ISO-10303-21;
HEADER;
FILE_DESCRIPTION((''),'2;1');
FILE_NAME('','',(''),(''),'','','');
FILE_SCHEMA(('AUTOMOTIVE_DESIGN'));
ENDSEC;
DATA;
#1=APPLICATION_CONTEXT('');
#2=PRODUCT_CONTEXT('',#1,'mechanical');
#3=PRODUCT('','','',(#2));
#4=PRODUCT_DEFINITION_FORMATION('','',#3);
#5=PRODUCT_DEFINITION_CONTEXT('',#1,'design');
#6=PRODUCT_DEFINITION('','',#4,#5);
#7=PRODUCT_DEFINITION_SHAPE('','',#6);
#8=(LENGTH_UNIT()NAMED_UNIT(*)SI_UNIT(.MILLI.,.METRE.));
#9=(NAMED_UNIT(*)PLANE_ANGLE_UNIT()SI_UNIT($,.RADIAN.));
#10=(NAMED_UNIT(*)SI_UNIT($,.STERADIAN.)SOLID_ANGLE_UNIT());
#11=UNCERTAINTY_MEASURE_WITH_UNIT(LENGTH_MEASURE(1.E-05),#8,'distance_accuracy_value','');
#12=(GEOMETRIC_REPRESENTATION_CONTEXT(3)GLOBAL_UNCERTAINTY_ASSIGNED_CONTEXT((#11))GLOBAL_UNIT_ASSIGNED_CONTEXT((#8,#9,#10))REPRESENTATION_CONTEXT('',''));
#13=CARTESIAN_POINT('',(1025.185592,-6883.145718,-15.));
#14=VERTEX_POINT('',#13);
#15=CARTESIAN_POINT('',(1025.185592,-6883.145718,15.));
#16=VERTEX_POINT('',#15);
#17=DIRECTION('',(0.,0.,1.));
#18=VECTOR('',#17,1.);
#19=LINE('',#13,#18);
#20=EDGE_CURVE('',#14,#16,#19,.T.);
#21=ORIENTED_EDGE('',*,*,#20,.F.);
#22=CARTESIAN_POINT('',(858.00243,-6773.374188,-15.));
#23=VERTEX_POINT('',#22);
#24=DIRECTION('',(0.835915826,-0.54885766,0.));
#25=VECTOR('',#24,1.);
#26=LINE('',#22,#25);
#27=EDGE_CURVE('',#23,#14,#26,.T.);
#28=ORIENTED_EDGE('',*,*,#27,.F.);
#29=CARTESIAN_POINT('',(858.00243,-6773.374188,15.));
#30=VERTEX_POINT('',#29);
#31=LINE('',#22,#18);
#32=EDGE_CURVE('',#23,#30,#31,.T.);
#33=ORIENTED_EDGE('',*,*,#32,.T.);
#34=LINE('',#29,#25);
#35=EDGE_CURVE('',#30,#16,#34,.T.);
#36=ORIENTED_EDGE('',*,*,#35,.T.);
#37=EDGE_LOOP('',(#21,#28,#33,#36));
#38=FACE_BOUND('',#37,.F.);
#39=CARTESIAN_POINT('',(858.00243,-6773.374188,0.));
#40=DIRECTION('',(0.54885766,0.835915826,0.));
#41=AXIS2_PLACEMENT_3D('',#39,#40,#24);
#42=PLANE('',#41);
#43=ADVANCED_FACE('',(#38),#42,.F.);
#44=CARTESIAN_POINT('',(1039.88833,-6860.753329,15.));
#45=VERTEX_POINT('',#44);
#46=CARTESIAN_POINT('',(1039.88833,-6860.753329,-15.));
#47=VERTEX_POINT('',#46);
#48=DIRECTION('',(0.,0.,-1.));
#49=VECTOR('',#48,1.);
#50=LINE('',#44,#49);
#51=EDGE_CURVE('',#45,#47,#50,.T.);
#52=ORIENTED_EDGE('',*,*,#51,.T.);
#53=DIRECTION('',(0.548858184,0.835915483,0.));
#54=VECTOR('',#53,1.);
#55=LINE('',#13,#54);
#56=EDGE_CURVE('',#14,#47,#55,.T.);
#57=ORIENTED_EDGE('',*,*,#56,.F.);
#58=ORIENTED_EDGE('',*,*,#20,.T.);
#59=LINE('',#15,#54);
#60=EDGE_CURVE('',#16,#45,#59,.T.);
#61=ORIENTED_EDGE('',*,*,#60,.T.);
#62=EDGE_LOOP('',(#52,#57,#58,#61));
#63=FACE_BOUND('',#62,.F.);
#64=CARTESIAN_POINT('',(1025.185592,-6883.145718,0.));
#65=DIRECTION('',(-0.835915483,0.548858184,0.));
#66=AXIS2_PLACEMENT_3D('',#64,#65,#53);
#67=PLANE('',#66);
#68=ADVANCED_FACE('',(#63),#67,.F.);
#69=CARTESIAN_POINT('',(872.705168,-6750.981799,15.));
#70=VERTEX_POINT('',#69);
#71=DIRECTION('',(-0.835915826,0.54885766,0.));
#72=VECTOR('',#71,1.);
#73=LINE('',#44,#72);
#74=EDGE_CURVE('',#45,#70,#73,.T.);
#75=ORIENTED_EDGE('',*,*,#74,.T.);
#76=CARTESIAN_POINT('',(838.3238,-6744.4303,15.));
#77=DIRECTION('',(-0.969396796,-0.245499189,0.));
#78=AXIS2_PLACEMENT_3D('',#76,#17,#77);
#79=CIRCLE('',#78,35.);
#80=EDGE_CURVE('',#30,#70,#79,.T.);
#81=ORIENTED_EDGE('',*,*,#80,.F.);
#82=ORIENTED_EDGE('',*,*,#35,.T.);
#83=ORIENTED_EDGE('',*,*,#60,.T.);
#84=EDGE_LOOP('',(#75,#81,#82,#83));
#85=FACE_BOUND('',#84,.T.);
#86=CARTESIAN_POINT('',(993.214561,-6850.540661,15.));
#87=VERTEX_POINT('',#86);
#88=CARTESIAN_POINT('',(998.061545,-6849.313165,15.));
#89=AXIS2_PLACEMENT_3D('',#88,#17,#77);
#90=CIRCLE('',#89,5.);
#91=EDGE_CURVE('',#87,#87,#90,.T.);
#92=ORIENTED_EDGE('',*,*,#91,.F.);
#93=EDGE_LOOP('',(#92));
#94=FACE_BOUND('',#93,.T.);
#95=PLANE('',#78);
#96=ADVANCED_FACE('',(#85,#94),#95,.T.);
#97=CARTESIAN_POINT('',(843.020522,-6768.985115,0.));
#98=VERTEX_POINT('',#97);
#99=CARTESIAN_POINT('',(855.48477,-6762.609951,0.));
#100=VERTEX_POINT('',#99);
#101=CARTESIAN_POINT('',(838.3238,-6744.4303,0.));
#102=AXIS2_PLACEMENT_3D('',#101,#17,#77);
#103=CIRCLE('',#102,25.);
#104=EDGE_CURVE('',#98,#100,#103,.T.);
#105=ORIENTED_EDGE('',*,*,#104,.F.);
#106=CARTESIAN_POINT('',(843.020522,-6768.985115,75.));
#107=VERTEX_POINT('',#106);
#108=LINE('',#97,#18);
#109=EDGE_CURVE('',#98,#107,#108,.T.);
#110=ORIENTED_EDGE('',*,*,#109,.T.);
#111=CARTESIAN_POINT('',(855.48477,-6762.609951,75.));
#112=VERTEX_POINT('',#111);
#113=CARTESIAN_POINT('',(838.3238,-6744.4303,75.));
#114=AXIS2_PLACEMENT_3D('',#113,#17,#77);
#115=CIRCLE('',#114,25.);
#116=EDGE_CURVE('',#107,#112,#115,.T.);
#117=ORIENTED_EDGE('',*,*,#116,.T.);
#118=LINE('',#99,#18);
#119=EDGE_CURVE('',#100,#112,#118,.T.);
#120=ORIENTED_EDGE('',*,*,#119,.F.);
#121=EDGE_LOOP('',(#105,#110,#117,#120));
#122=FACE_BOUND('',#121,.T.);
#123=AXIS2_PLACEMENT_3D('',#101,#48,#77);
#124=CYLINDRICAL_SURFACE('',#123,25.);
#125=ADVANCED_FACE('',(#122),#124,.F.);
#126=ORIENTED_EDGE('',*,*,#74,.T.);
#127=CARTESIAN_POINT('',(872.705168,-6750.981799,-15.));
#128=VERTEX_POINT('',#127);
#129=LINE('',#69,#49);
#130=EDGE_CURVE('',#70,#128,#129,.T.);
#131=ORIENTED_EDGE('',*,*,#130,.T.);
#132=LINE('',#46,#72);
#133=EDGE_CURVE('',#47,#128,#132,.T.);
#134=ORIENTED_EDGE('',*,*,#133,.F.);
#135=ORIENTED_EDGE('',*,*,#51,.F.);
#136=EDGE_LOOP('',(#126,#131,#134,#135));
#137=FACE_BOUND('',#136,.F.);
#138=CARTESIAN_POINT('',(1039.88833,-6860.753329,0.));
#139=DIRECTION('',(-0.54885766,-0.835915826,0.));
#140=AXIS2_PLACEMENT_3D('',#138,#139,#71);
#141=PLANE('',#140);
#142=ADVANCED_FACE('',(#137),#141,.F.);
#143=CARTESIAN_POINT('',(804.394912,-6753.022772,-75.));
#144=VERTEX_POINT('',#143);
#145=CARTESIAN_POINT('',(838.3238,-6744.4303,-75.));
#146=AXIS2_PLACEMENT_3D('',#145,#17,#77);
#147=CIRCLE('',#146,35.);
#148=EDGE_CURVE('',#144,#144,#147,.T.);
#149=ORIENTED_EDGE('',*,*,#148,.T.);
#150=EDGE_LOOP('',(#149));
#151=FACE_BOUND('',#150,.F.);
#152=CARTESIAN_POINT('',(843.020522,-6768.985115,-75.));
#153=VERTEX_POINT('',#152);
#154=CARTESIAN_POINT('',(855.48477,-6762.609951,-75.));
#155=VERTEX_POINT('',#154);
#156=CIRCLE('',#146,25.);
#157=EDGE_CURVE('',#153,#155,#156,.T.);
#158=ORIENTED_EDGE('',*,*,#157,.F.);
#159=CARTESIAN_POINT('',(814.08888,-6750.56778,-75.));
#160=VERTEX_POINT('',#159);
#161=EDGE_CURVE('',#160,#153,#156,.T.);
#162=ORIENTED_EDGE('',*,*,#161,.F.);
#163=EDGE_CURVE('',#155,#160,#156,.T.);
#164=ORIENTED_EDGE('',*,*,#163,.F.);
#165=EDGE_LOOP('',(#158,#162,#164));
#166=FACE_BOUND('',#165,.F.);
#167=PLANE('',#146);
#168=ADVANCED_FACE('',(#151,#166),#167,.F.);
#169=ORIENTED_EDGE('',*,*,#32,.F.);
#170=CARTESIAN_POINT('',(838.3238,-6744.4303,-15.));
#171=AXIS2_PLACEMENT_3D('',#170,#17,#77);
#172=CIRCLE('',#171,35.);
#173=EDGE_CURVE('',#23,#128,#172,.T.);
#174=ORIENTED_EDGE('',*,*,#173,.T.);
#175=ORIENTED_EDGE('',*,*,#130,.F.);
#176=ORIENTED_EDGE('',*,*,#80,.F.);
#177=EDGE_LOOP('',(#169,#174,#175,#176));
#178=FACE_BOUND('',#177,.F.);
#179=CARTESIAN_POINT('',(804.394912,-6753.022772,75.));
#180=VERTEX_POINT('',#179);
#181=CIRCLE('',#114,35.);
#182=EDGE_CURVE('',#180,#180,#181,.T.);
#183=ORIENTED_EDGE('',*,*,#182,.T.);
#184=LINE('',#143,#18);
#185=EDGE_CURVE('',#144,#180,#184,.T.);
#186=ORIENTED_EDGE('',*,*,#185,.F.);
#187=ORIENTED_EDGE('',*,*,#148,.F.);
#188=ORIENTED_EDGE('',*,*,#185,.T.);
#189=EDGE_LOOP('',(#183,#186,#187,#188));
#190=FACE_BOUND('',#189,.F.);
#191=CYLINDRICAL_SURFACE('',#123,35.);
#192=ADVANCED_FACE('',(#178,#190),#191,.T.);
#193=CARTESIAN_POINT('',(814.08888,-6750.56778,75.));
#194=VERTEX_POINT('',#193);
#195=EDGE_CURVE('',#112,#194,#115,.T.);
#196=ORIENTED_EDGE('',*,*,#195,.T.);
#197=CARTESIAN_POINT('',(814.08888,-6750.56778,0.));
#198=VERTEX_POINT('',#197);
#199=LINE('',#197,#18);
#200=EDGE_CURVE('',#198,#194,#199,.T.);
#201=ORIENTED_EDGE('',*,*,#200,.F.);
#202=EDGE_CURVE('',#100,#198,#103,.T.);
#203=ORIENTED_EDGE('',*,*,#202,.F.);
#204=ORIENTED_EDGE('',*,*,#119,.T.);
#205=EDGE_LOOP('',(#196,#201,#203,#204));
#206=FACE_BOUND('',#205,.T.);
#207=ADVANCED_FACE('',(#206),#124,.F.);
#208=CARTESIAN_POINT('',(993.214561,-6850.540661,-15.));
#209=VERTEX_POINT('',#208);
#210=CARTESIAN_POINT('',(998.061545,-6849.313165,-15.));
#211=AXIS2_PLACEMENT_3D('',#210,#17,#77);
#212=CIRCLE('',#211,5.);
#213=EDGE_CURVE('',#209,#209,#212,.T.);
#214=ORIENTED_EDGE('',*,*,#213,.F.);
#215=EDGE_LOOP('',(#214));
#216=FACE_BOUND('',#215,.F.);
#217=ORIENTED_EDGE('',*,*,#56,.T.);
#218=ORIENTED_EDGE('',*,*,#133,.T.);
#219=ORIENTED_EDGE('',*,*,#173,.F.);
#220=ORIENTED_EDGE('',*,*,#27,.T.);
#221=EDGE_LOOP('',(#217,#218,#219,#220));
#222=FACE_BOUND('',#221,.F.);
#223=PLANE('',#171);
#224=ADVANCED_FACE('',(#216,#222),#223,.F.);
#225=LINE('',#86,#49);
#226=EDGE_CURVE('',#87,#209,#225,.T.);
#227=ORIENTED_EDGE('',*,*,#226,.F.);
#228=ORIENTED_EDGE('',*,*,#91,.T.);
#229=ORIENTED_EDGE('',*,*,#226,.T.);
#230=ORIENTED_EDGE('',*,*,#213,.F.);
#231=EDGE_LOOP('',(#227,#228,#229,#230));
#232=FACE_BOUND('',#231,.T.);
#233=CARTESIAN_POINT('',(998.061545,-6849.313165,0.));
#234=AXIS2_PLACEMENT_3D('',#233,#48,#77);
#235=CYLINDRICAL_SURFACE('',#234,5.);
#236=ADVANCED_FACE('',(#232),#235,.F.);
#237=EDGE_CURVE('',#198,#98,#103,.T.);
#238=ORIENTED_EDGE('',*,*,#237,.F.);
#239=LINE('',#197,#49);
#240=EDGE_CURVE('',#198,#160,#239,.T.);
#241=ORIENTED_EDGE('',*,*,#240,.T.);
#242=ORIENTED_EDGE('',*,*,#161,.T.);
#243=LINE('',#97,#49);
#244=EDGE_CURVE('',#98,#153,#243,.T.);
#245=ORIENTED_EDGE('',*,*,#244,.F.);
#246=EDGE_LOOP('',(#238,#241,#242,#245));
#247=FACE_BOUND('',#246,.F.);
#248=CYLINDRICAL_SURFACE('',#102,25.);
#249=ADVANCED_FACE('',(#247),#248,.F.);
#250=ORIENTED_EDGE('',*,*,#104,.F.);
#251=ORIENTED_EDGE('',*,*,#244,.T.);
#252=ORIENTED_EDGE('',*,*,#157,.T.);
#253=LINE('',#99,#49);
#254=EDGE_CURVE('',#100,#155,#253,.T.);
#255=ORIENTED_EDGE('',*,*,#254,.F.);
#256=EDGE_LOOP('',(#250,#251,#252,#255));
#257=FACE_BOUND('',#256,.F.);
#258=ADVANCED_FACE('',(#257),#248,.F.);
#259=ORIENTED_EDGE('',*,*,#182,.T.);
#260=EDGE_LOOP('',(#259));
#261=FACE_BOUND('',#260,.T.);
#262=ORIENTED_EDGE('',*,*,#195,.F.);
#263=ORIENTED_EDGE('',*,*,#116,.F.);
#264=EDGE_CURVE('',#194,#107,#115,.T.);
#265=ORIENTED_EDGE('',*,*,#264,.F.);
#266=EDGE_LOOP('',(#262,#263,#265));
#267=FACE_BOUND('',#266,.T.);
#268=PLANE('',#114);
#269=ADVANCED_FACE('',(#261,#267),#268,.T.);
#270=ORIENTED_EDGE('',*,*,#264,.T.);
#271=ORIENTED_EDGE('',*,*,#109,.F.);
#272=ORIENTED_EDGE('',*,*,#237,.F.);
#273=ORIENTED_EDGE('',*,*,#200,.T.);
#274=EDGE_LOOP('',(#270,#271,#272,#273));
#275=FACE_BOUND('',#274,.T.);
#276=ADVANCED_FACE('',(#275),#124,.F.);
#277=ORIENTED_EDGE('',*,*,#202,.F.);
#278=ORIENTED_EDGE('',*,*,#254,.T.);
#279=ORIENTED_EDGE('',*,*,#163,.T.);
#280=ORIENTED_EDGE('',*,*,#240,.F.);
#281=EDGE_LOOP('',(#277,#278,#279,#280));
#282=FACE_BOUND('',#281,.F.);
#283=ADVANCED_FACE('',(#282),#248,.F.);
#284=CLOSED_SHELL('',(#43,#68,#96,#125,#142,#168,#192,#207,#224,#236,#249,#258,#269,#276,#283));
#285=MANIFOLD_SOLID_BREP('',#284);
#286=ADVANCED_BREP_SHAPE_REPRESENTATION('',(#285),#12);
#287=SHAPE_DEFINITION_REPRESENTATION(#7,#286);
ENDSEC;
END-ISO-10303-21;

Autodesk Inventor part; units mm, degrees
ref_plane "YZ Plane" through (0, 0, 0) normal (1, 0, 0) x (0, 1, 0)
ref_plane "XZ Plane" through (0, 0, 0) normal (0, 1, 0) x (-1, 0, 0)
ref_plane "XY Plane" through (0, 0, 0) normal (0, 0, 1) x (1, 0, 0)
ref_plane "Work Plane1" through (838.3238, -6744.4303, 0) normal (0, 0, 1) x (-0.9694, -0.2455, 0)
sketch "Sketch1" plane through (838.3238, -6744.4303, 0) normal (0, 0, 1) x (-0.9694, -0.2455, 0)
  circle A0 centre (0, 0) radius 35
  circle A1 centre (0, 0) radius 25
  arc A2 (-5.7334, 13.861) -> (-0.8591, 14.9754) centre (0, 0) ccw
  line L0 (-0.8591, 14.9754) -> (-2.9117, 23.9535)
  line L1 (-2.9117, 23.9535) -> (1.4752, 24.9564)
  arc A3 (-12.1727, 21.8363) -> (1.4752, 24.9564) centre (0, 0) ccw
  line L2 (-12.1727, 21.8363) -> (-7.7859, 22.8392)
  line L3 (-7.7859, 22.8392) -> (-5.7334, 13.861)
  point P0 (-843.1619, -6743.8271)
  dimension "d0" = 70
  dimension "d1" = 50
extrude "Extrusion1" add sketch "Sketch1" along normal mid plane 150
sketch "Sketch2" plane through (838.3238, -6744.4303, 0) normal (0, 0, 1) x (-0.9694, -0.2455, 0)
  point P0 (-843.1619, -6743.8271)
sketch "Sketch3" plane through (838.3238, -6744.4303, 0) normal (0, 0, 1) x (-0.9694, -0.2455, 0)
  circle A0 centre (0, 0) radius 35 projected
  arc A1 (-11.9707, 32.8892) -> (-31.7208, 14.7916) centre (0, 0) ccw
  line L0 (0, 0) -> (-11.9707, 32.8892) construction
  line L1 (0, 0) -> (35, 0) construction
  line L2 (0, 0) -> (-31.7208, 14.7916) construction
  line L3 (-11.9707, 32.8892) -> (-31.7208, 14.7916) construction
  line L4 (-11.9707, 32.8892) -> (-147.0887, 180.3447)
  line L5 (-147.0887, 180.3447) -> (-166.8388, 162.2471)
  line L6 (-166.8388, 162.2471) -> (-31.7208, 14.7916)
  circle A2 centre (-129.1006, 140.8886) radius 5 projected
  point P0 (-843.1619, -6743.8271)
  point P1 (-156.9638, 171.2959)
  dimension "d4" = 35
  dimension "d5" = 110
  dimension "d6" = 45
  dimension "d8" = 200
extrude "Extrusion2" add sketch "Sketch3" along normal mid plane 30 contours A0 L6 L5 L4
properties part number "Agarre Cortadora" material "Stainless Steel, Polished"
